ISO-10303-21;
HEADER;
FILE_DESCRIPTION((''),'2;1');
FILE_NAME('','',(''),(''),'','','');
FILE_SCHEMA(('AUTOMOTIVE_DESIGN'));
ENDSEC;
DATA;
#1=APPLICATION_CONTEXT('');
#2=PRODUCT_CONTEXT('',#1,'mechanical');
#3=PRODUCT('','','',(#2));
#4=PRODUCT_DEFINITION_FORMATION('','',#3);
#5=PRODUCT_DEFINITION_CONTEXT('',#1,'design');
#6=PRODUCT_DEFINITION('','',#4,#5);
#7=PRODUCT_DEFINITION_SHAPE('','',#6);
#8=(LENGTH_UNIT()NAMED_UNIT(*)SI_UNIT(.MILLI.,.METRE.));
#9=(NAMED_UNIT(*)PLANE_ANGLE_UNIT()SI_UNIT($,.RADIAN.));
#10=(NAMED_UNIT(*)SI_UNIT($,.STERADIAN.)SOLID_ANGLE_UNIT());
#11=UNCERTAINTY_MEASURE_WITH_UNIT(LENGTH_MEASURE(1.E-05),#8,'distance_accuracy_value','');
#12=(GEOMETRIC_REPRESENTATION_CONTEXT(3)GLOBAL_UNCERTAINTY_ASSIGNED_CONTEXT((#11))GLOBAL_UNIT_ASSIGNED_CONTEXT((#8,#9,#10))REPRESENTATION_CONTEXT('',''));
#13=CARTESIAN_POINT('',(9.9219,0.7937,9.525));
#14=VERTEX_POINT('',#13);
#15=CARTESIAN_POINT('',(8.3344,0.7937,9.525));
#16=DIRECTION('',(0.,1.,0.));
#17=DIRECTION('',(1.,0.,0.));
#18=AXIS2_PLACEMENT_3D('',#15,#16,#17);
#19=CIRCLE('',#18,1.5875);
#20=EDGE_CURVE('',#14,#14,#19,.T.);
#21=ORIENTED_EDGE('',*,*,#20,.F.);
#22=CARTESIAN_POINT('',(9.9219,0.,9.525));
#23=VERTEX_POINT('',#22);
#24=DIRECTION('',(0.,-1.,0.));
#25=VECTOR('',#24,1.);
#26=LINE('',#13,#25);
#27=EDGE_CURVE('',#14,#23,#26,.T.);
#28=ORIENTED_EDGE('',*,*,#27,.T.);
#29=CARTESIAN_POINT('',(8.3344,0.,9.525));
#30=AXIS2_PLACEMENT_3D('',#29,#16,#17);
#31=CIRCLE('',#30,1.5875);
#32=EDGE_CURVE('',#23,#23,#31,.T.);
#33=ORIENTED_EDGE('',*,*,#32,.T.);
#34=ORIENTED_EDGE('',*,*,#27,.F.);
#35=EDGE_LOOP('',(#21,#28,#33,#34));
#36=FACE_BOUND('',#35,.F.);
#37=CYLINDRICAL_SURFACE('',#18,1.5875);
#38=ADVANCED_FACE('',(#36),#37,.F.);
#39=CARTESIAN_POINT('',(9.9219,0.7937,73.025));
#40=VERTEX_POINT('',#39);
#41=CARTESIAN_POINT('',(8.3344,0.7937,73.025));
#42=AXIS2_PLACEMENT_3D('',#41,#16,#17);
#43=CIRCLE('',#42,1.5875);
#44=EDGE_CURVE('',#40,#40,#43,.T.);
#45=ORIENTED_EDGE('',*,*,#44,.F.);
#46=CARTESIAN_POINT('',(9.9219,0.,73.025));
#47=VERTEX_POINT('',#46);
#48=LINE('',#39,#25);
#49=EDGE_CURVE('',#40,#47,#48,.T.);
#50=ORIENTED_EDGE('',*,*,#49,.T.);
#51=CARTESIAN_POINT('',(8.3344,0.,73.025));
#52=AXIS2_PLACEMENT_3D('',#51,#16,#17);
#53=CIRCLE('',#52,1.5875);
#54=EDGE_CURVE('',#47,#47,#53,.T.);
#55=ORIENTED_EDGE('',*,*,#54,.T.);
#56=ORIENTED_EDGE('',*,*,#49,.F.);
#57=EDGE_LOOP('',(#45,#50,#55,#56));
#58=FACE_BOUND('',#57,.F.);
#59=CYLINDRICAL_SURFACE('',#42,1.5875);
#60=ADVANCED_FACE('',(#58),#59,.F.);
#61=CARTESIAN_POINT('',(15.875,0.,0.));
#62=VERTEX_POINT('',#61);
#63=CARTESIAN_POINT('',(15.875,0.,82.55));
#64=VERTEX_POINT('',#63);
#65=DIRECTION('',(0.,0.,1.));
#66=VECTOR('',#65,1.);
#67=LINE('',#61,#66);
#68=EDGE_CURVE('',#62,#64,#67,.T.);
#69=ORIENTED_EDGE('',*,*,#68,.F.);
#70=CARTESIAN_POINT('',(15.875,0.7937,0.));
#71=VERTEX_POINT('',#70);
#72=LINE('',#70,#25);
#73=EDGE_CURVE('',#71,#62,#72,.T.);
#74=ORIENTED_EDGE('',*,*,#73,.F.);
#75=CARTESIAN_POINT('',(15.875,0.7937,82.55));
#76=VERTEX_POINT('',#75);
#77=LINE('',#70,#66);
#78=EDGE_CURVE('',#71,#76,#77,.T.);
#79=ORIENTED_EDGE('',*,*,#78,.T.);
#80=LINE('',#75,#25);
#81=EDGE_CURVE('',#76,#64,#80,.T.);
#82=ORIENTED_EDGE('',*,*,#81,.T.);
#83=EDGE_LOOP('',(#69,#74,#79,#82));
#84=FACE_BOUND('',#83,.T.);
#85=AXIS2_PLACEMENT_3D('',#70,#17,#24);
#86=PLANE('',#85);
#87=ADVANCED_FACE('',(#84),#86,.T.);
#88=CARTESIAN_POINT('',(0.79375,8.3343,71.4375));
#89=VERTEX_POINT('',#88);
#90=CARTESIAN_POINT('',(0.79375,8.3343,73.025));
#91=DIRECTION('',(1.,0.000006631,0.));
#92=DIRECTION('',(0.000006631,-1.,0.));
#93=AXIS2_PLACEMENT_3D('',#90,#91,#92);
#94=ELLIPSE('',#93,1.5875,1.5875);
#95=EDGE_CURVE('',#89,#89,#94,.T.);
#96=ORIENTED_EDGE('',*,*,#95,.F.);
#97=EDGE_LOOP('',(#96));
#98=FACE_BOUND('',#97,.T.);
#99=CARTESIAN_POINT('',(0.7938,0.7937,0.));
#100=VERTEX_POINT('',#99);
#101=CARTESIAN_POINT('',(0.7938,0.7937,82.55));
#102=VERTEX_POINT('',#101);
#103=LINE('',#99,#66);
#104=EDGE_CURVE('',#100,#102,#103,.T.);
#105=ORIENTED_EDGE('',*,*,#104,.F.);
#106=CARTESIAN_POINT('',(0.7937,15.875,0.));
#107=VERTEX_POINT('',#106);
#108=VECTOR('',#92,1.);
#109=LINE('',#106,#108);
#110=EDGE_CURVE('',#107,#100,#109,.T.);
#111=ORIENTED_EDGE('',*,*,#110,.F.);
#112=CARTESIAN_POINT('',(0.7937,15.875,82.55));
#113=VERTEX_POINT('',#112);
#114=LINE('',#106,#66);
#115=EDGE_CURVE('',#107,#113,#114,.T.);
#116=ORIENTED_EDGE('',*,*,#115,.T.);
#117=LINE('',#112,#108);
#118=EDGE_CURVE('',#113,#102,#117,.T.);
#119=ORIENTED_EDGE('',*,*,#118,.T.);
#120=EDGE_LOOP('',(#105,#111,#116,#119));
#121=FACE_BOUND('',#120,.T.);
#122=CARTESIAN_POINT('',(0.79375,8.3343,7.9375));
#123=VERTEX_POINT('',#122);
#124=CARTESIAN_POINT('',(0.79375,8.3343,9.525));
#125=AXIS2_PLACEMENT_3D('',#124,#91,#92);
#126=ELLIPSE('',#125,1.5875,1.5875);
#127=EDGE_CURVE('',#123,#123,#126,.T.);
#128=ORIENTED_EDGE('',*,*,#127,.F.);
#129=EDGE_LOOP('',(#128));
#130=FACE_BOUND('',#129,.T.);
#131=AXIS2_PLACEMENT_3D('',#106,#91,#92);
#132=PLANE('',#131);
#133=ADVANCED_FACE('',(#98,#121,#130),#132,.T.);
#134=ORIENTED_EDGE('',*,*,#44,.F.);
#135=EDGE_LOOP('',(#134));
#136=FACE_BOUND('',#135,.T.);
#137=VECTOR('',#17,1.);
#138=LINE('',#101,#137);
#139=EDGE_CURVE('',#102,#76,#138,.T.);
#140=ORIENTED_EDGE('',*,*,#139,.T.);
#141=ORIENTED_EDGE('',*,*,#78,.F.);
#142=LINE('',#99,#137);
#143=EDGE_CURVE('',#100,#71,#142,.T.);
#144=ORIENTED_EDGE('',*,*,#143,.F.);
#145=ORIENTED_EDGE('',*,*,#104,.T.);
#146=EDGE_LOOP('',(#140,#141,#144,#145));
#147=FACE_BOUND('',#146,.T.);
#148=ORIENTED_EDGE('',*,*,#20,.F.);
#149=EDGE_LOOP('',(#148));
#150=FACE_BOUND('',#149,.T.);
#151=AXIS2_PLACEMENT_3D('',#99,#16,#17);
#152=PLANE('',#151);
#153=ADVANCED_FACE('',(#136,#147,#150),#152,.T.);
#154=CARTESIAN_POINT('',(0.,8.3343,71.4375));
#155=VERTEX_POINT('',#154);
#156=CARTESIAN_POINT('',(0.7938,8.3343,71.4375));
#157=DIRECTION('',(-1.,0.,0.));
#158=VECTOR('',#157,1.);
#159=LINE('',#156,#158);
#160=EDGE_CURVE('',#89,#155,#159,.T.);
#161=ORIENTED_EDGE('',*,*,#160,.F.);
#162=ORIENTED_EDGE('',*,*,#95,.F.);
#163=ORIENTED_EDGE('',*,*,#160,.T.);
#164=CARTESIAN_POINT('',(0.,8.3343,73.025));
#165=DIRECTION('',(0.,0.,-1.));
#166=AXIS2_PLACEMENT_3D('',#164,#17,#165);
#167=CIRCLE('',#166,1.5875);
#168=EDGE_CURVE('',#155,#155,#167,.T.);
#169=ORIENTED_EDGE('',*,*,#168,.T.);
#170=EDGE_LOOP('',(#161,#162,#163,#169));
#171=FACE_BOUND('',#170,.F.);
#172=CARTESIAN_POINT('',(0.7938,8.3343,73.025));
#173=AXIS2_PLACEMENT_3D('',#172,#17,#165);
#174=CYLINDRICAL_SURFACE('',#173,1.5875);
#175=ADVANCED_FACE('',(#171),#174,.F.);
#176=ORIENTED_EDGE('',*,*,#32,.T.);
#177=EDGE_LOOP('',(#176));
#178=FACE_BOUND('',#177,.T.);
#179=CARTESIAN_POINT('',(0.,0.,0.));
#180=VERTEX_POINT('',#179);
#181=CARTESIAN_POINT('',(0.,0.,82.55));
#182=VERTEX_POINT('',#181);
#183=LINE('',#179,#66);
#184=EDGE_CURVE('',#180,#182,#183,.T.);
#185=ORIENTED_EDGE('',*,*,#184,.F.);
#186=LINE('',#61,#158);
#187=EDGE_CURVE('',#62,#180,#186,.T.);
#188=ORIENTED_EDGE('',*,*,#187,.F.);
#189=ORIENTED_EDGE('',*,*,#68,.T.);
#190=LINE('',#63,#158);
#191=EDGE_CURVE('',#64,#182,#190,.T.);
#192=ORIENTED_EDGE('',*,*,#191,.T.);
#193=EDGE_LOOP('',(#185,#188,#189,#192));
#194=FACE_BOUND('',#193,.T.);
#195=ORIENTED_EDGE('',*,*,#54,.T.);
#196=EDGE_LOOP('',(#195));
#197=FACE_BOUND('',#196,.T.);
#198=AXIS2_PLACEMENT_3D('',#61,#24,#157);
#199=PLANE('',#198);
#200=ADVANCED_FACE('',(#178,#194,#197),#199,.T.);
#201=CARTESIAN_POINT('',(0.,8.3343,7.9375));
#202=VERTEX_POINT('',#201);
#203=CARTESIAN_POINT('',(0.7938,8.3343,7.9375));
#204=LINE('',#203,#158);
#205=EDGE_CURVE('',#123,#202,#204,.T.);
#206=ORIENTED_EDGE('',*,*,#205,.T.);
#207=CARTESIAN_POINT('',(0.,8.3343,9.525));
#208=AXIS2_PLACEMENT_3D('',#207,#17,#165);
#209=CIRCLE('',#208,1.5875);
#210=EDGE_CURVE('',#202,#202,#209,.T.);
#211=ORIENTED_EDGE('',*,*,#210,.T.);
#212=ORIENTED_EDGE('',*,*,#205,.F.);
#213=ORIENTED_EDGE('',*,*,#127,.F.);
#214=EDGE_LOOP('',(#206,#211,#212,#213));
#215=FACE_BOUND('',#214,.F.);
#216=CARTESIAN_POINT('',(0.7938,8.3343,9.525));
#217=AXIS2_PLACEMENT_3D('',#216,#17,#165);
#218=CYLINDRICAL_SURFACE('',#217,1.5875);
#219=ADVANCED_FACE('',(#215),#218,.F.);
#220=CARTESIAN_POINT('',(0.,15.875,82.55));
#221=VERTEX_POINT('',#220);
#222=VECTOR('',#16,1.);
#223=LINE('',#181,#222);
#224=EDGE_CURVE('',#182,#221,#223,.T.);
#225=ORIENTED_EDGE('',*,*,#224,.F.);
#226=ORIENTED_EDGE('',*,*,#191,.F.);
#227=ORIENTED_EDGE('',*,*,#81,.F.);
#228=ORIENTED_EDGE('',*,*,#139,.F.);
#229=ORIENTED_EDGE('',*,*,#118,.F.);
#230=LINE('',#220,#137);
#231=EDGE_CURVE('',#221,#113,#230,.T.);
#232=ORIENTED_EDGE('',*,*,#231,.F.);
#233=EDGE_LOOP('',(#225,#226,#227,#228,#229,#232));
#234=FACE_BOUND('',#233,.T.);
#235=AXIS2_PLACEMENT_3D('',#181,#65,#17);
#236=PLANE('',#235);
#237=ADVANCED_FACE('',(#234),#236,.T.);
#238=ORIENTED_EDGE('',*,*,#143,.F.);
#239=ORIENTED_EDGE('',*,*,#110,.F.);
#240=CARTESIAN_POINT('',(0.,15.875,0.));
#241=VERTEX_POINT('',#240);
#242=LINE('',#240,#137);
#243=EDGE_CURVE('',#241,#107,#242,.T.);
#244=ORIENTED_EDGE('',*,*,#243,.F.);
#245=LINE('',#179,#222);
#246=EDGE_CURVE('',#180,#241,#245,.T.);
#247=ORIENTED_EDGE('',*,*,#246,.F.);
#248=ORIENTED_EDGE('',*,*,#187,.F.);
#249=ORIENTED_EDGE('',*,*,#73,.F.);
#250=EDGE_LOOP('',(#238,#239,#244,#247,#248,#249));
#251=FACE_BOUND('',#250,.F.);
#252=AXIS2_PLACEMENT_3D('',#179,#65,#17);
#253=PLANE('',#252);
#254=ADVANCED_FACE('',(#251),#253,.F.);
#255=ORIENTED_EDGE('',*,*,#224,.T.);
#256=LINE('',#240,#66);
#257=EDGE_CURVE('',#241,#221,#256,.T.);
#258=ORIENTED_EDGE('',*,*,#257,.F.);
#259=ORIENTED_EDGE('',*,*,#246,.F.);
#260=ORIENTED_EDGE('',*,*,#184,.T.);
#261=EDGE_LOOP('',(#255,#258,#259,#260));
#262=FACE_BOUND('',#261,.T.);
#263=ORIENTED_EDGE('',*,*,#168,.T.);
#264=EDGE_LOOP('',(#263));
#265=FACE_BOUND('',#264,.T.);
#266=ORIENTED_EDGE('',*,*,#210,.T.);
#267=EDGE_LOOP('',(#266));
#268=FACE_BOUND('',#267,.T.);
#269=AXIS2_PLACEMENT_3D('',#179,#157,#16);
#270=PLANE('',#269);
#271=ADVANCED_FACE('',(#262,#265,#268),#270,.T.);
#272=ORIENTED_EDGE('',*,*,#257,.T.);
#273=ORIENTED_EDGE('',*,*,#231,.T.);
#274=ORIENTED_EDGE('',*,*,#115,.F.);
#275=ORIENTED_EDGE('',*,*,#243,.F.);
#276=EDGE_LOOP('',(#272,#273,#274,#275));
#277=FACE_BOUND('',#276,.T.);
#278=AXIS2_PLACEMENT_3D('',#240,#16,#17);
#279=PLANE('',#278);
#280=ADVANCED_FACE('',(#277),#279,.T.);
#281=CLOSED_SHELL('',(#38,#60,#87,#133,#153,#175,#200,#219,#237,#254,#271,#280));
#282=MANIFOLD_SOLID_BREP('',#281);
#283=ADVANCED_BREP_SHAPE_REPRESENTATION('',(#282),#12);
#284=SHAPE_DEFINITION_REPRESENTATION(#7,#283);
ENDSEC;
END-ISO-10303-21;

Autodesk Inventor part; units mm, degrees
ref_plane "YZ Plane" through (0, 0, 0) normal (1, 0, 0) x (0, 1, 0)
ref_plane "XZ Plane" through (0, 0, 0) normal (0, 1, 0) x (-1, 0, 0)
ref_plane "XY Plane" through (0, 0, 0) normal (0, 0, 1) x (1, 0, 0)
sketch "Sketch1" plane through (0, 0, 0) normal (0, 0, 1) x (1, 0, 0)
  line L0 (0, 0) -> (0, 15.875)
  line L1 (0, 15.875) -> (0.7937, 15.875)
  line L2 (0.7937, 15.875) -> (0.7938, 0.7937)
  line L3 (0.7938, 0.7937) -> (15.875, 0.7937)
  line L4 (15.875, 0.7937) -> (15.875, 0)
  line L5 (15.875, 0) -> (0, 0)
  dimension "d0" = 15.875
  dimension "d1" = 0.7937
extrude "Extrusion1" add sketch "Sketch1" along normal blind 82.55
sketch "Sketch2" plane through (0.7938, 0.7937, 0) normal (0, 1, 0) x (1, 0, 0)
  line L0 (0, 0) -> (15.0812, 0) projected
  line L1 (15.0812, -82.55) -> (0, -82.55) projected
  line L2 (7.5406, 0) -> (7.5406, -82.55) construction
  circle A0 centre (7.5406, -9.525) radius 1.5875
  circle A1 centre (7.5406, -73.025) radius 1.5875
  point P0 (-0.7938, 0)
  dimension "d4" = 9.525
  dimension "d5" = 3.175
  dimension "d6" = 82.55
  dimension "d9" = 63.5
sketch "Sketch3" plane through (0.7938, 0.7937, 0) normal (1, 0, 0) x (0, 0, -1)
  line L0 (0, 15.0812) -> (0, 0) projected
  line L1 (-82.55, 0) -> (-82.55, 15.0812) projected
  line L2 (-82.55, 7.5406) -> (0, 7.5406) construction
  circle A0 centre (-9.525, 7.5406) radius 1.5875
  circle A1 centre (-73.025, 7.5406) radius 1.5875
  point P0 (0, -0.7937)
  dimension "d14" = 3.175
  dimension "d15" = 9.525
  dimension "d16" = 82.55
  dimension "d19" = 63.5
extrude "Extrusion2" cut sketch "Sketch2" against normal through all
extrude "Extrusion3" cut sketch "Sketch3" against normal through all
properties part number "Hopper Bracing Back Left P12" material "Aluminum 6061"
